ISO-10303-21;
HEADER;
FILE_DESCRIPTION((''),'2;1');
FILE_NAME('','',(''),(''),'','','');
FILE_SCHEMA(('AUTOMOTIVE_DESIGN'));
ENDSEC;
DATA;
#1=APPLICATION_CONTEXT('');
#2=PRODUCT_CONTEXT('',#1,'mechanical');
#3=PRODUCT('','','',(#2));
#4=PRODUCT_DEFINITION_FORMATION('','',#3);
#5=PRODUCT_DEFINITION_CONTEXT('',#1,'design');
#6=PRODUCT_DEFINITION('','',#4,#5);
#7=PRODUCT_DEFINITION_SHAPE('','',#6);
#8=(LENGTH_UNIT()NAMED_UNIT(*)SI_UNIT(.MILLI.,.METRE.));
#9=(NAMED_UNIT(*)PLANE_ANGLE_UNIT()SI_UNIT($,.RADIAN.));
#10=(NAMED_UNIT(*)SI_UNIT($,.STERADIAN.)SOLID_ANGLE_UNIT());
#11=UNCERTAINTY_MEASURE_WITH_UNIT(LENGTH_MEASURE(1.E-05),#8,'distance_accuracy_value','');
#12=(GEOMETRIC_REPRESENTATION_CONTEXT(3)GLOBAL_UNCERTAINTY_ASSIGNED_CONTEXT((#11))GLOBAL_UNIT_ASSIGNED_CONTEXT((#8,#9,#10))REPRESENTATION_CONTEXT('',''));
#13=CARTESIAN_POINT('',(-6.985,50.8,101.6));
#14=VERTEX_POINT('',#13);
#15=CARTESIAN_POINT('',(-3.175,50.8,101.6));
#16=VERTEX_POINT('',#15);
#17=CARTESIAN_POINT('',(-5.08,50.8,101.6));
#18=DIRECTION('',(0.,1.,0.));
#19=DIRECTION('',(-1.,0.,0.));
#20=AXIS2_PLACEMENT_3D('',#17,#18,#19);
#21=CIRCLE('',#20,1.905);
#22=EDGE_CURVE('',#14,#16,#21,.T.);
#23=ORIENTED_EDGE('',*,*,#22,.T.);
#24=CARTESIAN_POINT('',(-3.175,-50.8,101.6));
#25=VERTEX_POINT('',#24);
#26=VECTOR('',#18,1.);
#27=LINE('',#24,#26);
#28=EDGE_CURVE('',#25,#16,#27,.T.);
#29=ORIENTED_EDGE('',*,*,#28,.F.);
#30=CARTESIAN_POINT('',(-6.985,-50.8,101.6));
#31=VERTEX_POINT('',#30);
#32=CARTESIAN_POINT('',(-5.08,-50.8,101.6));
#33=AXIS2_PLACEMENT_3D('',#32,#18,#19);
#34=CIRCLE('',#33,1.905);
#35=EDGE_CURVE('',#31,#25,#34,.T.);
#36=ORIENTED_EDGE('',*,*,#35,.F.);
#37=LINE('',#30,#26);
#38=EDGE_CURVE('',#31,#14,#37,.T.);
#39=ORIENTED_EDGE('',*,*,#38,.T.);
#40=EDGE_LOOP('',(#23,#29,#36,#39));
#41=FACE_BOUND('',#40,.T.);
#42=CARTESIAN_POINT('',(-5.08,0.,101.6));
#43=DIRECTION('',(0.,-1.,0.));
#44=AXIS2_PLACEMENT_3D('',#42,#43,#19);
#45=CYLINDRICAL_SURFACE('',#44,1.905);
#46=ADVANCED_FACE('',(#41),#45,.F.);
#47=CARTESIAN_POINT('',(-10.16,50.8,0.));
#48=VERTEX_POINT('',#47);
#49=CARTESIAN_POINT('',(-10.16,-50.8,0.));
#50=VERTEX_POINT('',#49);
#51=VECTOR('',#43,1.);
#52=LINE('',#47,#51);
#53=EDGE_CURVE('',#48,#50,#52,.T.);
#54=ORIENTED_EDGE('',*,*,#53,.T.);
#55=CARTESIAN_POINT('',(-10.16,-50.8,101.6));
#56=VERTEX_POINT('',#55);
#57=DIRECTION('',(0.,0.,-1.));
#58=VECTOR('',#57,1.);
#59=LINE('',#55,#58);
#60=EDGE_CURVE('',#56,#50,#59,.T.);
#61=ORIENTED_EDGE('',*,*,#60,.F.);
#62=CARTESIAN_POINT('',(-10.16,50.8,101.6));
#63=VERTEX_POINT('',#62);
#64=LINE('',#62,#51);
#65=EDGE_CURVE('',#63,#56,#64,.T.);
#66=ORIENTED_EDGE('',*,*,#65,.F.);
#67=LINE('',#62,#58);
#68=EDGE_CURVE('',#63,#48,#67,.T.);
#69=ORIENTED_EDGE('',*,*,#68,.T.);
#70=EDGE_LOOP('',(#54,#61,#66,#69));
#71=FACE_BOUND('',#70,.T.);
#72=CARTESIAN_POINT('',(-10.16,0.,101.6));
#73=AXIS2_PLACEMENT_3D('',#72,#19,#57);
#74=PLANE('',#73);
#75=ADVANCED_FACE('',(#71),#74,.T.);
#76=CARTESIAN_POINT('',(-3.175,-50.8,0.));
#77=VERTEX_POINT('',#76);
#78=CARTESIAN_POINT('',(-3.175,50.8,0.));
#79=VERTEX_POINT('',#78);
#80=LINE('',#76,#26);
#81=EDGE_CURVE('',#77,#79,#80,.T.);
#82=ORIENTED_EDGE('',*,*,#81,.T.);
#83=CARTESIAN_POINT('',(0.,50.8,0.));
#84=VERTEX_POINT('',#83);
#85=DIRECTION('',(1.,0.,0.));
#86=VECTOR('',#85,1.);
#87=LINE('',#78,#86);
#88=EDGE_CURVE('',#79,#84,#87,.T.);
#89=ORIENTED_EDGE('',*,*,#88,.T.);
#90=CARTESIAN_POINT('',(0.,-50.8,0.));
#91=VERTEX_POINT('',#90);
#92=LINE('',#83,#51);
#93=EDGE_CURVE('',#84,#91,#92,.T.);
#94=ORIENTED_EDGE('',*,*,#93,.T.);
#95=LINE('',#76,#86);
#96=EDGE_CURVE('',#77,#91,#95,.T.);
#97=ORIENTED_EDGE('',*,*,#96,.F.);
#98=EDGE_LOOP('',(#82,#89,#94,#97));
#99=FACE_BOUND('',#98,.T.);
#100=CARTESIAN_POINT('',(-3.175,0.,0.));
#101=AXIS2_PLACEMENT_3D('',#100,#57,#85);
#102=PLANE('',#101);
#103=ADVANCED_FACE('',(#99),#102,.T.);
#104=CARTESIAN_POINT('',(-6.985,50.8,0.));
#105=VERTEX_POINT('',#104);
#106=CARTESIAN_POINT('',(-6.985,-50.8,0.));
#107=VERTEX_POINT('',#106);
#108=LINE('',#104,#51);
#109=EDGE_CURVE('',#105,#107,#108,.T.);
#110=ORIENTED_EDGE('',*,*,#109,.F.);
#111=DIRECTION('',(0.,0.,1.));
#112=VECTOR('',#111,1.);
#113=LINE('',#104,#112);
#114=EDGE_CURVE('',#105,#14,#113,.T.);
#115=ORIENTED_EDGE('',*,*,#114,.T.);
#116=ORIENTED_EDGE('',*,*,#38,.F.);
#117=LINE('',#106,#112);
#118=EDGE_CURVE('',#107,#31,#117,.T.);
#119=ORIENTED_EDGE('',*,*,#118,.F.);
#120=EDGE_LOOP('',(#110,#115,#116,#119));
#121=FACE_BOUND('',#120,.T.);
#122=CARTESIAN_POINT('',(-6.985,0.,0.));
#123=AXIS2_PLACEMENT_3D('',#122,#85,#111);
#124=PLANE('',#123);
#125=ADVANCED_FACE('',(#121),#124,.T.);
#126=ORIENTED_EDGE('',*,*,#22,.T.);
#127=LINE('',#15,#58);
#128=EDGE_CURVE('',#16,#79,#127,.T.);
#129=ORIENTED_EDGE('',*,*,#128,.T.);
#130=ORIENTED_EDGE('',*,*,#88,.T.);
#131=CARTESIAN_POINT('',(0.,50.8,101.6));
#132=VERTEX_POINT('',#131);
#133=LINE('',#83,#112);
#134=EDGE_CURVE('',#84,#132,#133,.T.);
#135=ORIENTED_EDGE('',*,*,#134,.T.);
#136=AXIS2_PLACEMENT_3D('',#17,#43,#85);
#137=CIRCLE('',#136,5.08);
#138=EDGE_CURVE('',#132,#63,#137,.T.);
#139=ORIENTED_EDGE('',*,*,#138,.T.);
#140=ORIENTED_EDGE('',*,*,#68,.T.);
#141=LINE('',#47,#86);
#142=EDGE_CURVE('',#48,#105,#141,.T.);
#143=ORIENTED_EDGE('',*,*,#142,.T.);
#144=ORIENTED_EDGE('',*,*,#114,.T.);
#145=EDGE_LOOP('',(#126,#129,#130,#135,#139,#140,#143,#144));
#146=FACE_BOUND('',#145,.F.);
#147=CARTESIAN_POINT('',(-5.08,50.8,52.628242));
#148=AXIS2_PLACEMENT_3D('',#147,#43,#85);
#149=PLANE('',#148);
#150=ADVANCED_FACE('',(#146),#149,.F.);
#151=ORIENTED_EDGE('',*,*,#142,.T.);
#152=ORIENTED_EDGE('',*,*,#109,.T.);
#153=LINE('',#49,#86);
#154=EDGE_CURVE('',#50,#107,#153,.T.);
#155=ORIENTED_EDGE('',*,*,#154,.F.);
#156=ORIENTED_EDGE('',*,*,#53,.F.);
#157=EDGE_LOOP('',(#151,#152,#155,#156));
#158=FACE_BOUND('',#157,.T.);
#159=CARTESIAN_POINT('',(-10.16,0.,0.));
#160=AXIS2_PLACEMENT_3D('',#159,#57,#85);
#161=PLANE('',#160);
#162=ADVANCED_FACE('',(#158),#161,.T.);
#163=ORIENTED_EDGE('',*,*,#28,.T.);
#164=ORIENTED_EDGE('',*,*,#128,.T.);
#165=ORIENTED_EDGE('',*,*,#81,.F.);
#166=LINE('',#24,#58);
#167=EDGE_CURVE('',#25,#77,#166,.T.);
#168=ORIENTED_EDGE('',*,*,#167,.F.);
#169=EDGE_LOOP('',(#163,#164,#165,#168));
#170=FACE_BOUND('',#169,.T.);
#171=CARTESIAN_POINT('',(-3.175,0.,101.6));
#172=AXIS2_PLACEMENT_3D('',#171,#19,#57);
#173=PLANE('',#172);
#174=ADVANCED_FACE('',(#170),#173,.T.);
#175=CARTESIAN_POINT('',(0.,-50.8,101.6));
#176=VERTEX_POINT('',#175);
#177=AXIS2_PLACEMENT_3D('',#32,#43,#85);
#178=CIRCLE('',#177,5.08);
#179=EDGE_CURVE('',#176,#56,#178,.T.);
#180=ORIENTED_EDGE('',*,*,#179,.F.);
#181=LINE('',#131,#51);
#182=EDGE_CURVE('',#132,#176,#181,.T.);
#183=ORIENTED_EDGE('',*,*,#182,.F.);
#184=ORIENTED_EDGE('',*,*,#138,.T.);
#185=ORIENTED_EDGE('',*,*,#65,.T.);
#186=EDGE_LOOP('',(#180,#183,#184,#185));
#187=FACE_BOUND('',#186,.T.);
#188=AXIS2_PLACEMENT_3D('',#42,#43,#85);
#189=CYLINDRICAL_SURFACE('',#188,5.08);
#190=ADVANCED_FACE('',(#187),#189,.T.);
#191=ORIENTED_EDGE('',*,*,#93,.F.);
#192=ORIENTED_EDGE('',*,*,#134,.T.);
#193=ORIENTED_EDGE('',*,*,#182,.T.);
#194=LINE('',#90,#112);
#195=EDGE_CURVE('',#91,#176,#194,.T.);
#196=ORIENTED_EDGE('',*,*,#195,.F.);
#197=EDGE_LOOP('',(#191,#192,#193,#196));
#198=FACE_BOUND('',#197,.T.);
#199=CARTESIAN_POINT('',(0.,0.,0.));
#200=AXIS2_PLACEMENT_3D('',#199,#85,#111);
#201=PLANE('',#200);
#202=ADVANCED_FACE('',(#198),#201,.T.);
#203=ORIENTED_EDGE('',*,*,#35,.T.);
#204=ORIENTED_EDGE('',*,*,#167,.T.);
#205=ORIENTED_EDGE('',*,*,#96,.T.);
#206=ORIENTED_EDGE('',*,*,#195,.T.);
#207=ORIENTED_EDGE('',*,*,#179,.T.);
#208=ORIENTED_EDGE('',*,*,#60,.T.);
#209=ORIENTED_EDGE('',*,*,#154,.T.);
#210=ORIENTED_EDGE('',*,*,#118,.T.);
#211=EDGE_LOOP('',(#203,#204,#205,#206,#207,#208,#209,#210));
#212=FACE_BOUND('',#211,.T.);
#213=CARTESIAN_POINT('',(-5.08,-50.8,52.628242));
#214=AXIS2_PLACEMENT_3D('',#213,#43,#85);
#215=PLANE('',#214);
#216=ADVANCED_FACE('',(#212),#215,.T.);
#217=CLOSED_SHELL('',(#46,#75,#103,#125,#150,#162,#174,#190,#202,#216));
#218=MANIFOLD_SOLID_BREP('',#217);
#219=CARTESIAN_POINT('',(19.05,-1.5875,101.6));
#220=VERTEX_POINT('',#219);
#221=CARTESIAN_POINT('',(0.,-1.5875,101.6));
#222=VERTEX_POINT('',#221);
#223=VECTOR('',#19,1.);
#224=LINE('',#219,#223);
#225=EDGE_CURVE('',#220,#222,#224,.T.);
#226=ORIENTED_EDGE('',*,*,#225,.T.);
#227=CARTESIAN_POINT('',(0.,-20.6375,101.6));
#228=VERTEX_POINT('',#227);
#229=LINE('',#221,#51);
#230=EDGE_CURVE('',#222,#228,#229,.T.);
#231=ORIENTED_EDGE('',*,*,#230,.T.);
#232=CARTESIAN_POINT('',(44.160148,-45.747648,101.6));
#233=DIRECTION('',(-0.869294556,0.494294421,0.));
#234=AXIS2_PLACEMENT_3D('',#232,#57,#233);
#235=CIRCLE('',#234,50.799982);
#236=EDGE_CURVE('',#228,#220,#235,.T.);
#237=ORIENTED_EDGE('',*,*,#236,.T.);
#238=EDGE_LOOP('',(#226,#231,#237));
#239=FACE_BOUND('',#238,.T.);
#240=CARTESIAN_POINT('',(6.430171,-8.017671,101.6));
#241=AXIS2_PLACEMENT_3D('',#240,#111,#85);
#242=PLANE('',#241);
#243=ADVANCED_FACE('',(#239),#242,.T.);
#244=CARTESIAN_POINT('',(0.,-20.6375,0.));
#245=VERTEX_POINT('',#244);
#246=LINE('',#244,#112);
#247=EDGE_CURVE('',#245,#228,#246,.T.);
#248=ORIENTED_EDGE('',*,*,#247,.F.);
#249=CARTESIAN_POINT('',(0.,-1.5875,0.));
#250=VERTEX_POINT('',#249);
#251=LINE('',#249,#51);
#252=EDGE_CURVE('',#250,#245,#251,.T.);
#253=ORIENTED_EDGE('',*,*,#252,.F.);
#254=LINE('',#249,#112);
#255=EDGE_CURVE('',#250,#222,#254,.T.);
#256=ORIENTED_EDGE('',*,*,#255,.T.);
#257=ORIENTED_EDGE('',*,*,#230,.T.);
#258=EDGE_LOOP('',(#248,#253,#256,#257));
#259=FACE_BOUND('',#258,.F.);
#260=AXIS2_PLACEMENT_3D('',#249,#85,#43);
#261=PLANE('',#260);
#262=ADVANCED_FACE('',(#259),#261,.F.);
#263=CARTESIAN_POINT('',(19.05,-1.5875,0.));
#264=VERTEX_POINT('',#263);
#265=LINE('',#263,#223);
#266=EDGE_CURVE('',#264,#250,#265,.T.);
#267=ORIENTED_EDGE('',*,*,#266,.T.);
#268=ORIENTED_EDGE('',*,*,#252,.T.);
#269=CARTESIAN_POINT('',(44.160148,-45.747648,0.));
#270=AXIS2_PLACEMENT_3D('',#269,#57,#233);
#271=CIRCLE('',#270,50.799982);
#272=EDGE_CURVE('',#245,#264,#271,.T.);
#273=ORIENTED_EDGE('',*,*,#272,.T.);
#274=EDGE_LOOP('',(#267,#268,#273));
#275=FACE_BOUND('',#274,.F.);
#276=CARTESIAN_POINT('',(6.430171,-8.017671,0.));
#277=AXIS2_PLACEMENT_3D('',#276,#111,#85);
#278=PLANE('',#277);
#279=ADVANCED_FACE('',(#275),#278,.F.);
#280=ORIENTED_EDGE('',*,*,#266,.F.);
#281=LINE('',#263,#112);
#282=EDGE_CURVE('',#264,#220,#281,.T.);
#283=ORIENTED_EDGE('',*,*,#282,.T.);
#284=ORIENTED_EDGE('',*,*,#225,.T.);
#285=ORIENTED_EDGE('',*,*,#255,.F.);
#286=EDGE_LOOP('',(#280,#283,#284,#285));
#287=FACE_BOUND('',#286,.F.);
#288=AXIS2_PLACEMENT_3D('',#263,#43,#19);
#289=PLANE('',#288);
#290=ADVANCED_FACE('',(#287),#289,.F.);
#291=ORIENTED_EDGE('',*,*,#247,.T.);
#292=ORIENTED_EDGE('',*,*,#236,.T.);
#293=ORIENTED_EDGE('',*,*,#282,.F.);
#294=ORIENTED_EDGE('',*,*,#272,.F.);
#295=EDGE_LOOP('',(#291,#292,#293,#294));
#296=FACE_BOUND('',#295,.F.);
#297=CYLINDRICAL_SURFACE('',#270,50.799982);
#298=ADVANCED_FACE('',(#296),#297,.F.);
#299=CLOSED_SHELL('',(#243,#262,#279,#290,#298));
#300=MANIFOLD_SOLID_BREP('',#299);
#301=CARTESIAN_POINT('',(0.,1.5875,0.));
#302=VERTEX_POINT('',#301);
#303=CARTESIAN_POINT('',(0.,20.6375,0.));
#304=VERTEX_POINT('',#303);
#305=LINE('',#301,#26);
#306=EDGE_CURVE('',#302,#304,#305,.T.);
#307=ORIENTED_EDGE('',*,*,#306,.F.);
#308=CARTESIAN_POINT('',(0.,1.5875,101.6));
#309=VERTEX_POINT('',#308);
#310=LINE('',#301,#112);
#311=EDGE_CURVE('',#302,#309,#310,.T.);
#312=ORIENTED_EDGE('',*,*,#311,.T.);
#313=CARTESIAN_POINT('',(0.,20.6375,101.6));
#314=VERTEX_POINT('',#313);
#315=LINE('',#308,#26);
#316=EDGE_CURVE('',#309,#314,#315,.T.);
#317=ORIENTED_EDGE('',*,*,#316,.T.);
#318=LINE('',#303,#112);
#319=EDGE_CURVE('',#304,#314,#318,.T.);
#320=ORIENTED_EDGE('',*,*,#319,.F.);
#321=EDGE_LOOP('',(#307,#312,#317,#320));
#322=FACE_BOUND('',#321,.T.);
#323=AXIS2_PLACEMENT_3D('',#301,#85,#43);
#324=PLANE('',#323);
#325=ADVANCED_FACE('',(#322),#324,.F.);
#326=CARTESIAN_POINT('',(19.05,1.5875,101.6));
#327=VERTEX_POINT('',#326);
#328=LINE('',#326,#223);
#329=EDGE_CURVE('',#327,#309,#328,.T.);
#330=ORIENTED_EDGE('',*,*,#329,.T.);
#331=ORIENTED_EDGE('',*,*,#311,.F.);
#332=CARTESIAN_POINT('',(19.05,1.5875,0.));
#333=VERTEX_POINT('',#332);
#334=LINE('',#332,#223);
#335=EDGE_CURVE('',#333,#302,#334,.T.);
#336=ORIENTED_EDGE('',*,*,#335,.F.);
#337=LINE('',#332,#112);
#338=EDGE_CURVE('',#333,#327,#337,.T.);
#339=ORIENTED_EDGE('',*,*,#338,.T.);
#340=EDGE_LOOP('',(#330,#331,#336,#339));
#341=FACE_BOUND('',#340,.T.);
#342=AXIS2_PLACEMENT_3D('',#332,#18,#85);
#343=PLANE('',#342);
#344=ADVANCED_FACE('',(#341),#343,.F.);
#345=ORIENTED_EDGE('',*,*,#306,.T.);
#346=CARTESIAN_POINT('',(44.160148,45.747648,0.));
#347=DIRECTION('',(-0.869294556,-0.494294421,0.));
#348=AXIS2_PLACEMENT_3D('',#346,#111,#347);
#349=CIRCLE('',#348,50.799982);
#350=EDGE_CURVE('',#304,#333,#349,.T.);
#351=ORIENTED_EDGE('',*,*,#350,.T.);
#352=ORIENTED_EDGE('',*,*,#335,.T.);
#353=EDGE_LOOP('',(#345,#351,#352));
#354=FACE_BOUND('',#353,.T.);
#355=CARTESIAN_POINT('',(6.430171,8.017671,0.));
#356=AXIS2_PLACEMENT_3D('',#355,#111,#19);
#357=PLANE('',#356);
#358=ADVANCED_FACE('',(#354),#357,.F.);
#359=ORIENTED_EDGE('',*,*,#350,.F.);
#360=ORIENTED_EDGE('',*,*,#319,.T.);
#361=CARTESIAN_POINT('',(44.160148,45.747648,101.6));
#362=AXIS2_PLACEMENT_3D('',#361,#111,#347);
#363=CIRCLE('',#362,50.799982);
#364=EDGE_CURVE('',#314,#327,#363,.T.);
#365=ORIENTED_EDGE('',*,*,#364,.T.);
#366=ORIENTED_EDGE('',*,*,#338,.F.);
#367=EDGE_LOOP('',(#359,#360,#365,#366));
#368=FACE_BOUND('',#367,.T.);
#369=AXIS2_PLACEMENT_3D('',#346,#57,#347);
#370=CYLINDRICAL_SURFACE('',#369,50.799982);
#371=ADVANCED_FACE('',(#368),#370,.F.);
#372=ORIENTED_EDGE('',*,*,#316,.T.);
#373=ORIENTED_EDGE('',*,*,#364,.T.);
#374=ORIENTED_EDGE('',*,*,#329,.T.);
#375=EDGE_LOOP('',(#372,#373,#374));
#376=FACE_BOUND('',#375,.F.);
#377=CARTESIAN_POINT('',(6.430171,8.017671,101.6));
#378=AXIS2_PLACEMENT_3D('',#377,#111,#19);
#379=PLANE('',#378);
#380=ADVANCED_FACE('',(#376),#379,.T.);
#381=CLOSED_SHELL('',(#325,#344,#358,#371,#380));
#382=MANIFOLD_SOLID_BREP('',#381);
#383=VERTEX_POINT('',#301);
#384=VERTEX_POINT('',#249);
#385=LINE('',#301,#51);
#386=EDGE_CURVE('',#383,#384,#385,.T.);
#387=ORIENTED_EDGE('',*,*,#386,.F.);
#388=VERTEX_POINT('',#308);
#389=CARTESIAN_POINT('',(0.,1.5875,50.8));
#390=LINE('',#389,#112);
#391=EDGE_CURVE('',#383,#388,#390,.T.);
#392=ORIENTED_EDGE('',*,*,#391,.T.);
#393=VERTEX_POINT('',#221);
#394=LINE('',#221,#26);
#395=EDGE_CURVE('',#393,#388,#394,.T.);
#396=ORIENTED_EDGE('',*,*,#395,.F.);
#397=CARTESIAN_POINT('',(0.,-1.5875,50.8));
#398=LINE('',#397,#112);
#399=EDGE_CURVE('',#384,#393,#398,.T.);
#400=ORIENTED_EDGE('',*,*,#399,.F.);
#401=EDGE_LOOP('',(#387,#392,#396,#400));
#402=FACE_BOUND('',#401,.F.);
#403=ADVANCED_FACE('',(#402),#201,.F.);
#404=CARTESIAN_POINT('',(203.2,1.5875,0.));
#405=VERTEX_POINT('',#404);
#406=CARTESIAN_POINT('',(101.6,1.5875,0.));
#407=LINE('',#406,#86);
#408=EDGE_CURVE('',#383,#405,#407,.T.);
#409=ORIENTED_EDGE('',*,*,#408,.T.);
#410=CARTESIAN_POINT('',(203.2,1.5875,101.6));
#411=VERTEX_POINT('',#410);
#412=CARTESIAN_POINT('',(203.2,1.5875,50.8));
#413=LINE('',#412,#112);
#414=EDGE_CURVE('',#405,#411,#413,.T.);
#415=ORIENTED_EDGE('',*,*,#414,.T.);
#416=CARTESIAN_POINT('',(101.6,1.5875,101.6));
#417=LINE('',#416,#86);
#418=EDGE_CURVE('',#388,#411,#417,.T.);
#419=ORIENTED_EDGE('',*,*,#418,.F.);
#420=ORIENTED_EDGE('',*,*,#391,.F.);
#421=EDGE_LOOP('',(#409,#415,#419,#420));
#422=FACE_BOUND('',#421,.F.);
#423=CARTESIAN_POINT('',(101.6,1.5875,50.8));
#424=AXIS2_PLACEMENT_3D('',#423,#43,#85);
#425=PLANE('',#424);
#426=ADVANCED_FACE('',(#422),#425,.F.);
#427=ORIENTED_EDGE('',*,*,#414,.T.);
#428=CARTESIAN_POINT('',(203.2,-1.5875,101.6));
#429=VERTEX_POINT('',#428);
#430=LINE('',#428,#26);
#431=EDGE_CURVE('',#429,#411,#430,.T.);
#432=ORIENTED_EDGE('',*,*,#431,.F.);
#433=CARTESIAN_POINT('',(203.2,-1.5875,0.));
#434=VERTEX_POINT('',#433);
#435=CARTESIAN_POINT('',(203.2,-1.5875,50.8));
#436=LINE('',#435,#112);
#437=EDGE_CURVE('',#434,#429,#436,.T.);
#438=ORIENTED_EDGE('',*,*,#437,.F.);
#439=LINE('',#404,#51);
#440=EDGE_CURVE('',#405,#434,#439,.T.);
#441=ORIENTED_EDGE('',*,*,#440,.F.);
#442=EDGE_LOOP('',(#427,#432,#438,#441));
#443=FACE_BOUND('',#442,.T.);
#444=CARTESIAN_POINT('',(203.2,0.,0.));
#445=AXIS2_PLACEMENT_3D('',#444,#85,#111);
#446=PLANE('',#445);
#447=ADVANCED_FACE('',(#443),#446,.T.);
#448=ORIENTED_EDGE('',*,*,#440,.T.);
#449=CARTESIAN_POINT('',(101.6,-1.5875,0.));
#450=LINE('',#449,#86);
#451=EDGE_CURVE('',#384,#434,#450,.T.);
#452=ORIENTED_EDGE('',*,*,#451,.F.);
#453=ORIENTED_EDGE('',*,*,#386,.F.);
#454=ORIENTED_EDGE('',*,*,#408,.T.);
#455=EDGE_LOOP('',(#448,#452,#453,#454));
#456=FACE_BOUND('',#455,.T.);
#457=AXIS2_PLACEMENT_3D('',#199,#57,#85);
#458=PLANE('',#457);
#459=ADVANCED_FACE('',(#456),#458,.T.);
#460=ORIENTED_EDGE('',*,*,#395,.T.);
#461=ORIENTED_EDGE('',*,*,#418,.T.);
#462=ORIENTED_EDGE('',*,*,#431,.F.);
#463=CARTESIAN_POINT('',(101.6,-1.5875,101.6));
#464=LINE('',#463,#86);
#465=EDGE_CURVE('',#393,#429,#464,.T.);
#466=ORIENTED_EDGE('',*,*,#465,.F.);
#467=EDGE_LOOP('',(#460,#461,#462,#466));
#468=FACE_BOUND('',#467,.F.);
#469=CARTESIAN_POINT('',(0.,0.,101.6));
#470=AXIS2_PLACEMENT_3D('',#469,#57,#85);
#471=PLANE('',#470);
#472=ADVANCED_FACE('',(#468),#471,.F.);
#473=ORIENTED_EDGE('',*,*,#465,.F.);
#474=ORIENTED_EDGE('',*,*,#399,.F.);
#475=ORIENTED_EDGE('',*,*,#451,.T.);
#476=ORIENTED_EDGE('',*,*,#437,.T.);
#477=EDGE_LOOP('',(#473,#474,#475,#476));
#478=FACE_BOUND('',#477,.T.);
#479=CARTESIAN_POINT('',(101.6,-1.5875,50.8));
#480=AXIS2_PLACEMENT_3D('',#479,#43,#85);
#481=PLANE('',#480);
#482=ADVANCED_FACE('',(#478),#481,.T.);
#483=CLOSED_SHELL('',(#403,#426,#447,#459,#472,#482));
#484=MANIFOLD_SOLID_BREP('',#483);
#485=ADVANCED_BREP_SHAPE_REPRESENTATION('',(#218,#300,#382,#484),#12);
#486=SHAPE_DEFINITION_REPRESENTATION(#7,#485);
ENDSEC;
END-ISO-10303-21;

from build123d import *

# Parameters (mm, degrees)
F0_W     = 203.2
F0_H     = 101.6
F1_DEPTH = 1.5875
F3_DEPTH = 50.8
F5_DEPTH = 101.6


with BuildPart() as f1:
    # F0 (on Front) → F1 (new body, symmetric)
    with BuildSketch(Plane.XZ):
        with Locations((101.6, 50.8)):
            Rectangle(F0_W, F0_H)
    extrude(amount=F1_DEPTH, both=True)


with BuildPart() as f3:
    # F2 (on Front) → F3 (new body, symmetric)
    with BuildSketch(Plane.XZ):
        with BuildLine():
            Line((-3.175, 0), (0, 0))
            Line((0, 0), (0, 101.6))
            ThreePointArc((0, 101.6), (-5.08, 106.68), (-10.16, 101.6))
            Line((-10.16, 101.6), (-10.16, 0))
            Line((-10.16, 0), (-6.985, 0))
            Line((-6.985, 0), (-6.985, 101.6))
            ThreePointArc((-6.985, 101.6), (-5.08, 103.505), (-3.175, 101.6))
            Line((-3.175, 101.6), (-3.175, 0))
        make_face()
    extrude(amount=F3_DEPTH, both=True)


with BuildPart() as f5:
    # F4 (on Top) → F5 (new body, through all)
    with BuildSketch(Plane.XY):
        with BuildLine():
            Line((0, -1.5875), (0, -20.6375))
            ThreePointArc((0, -20.6375), (8.239136, -9.826636), (19.05, -1.5875))
            Line((19.05, -1.5875), (0, -1.5875))
        make_face()
    extrude(amount=F5_DEPTH)


with BuildPart() as f6_1:
    # F6: instance of F5
    add(f5.part.mirror(Plane.XZ))


solid = Compound([f1.part, f3.part, f5.part, f6_1.part])
